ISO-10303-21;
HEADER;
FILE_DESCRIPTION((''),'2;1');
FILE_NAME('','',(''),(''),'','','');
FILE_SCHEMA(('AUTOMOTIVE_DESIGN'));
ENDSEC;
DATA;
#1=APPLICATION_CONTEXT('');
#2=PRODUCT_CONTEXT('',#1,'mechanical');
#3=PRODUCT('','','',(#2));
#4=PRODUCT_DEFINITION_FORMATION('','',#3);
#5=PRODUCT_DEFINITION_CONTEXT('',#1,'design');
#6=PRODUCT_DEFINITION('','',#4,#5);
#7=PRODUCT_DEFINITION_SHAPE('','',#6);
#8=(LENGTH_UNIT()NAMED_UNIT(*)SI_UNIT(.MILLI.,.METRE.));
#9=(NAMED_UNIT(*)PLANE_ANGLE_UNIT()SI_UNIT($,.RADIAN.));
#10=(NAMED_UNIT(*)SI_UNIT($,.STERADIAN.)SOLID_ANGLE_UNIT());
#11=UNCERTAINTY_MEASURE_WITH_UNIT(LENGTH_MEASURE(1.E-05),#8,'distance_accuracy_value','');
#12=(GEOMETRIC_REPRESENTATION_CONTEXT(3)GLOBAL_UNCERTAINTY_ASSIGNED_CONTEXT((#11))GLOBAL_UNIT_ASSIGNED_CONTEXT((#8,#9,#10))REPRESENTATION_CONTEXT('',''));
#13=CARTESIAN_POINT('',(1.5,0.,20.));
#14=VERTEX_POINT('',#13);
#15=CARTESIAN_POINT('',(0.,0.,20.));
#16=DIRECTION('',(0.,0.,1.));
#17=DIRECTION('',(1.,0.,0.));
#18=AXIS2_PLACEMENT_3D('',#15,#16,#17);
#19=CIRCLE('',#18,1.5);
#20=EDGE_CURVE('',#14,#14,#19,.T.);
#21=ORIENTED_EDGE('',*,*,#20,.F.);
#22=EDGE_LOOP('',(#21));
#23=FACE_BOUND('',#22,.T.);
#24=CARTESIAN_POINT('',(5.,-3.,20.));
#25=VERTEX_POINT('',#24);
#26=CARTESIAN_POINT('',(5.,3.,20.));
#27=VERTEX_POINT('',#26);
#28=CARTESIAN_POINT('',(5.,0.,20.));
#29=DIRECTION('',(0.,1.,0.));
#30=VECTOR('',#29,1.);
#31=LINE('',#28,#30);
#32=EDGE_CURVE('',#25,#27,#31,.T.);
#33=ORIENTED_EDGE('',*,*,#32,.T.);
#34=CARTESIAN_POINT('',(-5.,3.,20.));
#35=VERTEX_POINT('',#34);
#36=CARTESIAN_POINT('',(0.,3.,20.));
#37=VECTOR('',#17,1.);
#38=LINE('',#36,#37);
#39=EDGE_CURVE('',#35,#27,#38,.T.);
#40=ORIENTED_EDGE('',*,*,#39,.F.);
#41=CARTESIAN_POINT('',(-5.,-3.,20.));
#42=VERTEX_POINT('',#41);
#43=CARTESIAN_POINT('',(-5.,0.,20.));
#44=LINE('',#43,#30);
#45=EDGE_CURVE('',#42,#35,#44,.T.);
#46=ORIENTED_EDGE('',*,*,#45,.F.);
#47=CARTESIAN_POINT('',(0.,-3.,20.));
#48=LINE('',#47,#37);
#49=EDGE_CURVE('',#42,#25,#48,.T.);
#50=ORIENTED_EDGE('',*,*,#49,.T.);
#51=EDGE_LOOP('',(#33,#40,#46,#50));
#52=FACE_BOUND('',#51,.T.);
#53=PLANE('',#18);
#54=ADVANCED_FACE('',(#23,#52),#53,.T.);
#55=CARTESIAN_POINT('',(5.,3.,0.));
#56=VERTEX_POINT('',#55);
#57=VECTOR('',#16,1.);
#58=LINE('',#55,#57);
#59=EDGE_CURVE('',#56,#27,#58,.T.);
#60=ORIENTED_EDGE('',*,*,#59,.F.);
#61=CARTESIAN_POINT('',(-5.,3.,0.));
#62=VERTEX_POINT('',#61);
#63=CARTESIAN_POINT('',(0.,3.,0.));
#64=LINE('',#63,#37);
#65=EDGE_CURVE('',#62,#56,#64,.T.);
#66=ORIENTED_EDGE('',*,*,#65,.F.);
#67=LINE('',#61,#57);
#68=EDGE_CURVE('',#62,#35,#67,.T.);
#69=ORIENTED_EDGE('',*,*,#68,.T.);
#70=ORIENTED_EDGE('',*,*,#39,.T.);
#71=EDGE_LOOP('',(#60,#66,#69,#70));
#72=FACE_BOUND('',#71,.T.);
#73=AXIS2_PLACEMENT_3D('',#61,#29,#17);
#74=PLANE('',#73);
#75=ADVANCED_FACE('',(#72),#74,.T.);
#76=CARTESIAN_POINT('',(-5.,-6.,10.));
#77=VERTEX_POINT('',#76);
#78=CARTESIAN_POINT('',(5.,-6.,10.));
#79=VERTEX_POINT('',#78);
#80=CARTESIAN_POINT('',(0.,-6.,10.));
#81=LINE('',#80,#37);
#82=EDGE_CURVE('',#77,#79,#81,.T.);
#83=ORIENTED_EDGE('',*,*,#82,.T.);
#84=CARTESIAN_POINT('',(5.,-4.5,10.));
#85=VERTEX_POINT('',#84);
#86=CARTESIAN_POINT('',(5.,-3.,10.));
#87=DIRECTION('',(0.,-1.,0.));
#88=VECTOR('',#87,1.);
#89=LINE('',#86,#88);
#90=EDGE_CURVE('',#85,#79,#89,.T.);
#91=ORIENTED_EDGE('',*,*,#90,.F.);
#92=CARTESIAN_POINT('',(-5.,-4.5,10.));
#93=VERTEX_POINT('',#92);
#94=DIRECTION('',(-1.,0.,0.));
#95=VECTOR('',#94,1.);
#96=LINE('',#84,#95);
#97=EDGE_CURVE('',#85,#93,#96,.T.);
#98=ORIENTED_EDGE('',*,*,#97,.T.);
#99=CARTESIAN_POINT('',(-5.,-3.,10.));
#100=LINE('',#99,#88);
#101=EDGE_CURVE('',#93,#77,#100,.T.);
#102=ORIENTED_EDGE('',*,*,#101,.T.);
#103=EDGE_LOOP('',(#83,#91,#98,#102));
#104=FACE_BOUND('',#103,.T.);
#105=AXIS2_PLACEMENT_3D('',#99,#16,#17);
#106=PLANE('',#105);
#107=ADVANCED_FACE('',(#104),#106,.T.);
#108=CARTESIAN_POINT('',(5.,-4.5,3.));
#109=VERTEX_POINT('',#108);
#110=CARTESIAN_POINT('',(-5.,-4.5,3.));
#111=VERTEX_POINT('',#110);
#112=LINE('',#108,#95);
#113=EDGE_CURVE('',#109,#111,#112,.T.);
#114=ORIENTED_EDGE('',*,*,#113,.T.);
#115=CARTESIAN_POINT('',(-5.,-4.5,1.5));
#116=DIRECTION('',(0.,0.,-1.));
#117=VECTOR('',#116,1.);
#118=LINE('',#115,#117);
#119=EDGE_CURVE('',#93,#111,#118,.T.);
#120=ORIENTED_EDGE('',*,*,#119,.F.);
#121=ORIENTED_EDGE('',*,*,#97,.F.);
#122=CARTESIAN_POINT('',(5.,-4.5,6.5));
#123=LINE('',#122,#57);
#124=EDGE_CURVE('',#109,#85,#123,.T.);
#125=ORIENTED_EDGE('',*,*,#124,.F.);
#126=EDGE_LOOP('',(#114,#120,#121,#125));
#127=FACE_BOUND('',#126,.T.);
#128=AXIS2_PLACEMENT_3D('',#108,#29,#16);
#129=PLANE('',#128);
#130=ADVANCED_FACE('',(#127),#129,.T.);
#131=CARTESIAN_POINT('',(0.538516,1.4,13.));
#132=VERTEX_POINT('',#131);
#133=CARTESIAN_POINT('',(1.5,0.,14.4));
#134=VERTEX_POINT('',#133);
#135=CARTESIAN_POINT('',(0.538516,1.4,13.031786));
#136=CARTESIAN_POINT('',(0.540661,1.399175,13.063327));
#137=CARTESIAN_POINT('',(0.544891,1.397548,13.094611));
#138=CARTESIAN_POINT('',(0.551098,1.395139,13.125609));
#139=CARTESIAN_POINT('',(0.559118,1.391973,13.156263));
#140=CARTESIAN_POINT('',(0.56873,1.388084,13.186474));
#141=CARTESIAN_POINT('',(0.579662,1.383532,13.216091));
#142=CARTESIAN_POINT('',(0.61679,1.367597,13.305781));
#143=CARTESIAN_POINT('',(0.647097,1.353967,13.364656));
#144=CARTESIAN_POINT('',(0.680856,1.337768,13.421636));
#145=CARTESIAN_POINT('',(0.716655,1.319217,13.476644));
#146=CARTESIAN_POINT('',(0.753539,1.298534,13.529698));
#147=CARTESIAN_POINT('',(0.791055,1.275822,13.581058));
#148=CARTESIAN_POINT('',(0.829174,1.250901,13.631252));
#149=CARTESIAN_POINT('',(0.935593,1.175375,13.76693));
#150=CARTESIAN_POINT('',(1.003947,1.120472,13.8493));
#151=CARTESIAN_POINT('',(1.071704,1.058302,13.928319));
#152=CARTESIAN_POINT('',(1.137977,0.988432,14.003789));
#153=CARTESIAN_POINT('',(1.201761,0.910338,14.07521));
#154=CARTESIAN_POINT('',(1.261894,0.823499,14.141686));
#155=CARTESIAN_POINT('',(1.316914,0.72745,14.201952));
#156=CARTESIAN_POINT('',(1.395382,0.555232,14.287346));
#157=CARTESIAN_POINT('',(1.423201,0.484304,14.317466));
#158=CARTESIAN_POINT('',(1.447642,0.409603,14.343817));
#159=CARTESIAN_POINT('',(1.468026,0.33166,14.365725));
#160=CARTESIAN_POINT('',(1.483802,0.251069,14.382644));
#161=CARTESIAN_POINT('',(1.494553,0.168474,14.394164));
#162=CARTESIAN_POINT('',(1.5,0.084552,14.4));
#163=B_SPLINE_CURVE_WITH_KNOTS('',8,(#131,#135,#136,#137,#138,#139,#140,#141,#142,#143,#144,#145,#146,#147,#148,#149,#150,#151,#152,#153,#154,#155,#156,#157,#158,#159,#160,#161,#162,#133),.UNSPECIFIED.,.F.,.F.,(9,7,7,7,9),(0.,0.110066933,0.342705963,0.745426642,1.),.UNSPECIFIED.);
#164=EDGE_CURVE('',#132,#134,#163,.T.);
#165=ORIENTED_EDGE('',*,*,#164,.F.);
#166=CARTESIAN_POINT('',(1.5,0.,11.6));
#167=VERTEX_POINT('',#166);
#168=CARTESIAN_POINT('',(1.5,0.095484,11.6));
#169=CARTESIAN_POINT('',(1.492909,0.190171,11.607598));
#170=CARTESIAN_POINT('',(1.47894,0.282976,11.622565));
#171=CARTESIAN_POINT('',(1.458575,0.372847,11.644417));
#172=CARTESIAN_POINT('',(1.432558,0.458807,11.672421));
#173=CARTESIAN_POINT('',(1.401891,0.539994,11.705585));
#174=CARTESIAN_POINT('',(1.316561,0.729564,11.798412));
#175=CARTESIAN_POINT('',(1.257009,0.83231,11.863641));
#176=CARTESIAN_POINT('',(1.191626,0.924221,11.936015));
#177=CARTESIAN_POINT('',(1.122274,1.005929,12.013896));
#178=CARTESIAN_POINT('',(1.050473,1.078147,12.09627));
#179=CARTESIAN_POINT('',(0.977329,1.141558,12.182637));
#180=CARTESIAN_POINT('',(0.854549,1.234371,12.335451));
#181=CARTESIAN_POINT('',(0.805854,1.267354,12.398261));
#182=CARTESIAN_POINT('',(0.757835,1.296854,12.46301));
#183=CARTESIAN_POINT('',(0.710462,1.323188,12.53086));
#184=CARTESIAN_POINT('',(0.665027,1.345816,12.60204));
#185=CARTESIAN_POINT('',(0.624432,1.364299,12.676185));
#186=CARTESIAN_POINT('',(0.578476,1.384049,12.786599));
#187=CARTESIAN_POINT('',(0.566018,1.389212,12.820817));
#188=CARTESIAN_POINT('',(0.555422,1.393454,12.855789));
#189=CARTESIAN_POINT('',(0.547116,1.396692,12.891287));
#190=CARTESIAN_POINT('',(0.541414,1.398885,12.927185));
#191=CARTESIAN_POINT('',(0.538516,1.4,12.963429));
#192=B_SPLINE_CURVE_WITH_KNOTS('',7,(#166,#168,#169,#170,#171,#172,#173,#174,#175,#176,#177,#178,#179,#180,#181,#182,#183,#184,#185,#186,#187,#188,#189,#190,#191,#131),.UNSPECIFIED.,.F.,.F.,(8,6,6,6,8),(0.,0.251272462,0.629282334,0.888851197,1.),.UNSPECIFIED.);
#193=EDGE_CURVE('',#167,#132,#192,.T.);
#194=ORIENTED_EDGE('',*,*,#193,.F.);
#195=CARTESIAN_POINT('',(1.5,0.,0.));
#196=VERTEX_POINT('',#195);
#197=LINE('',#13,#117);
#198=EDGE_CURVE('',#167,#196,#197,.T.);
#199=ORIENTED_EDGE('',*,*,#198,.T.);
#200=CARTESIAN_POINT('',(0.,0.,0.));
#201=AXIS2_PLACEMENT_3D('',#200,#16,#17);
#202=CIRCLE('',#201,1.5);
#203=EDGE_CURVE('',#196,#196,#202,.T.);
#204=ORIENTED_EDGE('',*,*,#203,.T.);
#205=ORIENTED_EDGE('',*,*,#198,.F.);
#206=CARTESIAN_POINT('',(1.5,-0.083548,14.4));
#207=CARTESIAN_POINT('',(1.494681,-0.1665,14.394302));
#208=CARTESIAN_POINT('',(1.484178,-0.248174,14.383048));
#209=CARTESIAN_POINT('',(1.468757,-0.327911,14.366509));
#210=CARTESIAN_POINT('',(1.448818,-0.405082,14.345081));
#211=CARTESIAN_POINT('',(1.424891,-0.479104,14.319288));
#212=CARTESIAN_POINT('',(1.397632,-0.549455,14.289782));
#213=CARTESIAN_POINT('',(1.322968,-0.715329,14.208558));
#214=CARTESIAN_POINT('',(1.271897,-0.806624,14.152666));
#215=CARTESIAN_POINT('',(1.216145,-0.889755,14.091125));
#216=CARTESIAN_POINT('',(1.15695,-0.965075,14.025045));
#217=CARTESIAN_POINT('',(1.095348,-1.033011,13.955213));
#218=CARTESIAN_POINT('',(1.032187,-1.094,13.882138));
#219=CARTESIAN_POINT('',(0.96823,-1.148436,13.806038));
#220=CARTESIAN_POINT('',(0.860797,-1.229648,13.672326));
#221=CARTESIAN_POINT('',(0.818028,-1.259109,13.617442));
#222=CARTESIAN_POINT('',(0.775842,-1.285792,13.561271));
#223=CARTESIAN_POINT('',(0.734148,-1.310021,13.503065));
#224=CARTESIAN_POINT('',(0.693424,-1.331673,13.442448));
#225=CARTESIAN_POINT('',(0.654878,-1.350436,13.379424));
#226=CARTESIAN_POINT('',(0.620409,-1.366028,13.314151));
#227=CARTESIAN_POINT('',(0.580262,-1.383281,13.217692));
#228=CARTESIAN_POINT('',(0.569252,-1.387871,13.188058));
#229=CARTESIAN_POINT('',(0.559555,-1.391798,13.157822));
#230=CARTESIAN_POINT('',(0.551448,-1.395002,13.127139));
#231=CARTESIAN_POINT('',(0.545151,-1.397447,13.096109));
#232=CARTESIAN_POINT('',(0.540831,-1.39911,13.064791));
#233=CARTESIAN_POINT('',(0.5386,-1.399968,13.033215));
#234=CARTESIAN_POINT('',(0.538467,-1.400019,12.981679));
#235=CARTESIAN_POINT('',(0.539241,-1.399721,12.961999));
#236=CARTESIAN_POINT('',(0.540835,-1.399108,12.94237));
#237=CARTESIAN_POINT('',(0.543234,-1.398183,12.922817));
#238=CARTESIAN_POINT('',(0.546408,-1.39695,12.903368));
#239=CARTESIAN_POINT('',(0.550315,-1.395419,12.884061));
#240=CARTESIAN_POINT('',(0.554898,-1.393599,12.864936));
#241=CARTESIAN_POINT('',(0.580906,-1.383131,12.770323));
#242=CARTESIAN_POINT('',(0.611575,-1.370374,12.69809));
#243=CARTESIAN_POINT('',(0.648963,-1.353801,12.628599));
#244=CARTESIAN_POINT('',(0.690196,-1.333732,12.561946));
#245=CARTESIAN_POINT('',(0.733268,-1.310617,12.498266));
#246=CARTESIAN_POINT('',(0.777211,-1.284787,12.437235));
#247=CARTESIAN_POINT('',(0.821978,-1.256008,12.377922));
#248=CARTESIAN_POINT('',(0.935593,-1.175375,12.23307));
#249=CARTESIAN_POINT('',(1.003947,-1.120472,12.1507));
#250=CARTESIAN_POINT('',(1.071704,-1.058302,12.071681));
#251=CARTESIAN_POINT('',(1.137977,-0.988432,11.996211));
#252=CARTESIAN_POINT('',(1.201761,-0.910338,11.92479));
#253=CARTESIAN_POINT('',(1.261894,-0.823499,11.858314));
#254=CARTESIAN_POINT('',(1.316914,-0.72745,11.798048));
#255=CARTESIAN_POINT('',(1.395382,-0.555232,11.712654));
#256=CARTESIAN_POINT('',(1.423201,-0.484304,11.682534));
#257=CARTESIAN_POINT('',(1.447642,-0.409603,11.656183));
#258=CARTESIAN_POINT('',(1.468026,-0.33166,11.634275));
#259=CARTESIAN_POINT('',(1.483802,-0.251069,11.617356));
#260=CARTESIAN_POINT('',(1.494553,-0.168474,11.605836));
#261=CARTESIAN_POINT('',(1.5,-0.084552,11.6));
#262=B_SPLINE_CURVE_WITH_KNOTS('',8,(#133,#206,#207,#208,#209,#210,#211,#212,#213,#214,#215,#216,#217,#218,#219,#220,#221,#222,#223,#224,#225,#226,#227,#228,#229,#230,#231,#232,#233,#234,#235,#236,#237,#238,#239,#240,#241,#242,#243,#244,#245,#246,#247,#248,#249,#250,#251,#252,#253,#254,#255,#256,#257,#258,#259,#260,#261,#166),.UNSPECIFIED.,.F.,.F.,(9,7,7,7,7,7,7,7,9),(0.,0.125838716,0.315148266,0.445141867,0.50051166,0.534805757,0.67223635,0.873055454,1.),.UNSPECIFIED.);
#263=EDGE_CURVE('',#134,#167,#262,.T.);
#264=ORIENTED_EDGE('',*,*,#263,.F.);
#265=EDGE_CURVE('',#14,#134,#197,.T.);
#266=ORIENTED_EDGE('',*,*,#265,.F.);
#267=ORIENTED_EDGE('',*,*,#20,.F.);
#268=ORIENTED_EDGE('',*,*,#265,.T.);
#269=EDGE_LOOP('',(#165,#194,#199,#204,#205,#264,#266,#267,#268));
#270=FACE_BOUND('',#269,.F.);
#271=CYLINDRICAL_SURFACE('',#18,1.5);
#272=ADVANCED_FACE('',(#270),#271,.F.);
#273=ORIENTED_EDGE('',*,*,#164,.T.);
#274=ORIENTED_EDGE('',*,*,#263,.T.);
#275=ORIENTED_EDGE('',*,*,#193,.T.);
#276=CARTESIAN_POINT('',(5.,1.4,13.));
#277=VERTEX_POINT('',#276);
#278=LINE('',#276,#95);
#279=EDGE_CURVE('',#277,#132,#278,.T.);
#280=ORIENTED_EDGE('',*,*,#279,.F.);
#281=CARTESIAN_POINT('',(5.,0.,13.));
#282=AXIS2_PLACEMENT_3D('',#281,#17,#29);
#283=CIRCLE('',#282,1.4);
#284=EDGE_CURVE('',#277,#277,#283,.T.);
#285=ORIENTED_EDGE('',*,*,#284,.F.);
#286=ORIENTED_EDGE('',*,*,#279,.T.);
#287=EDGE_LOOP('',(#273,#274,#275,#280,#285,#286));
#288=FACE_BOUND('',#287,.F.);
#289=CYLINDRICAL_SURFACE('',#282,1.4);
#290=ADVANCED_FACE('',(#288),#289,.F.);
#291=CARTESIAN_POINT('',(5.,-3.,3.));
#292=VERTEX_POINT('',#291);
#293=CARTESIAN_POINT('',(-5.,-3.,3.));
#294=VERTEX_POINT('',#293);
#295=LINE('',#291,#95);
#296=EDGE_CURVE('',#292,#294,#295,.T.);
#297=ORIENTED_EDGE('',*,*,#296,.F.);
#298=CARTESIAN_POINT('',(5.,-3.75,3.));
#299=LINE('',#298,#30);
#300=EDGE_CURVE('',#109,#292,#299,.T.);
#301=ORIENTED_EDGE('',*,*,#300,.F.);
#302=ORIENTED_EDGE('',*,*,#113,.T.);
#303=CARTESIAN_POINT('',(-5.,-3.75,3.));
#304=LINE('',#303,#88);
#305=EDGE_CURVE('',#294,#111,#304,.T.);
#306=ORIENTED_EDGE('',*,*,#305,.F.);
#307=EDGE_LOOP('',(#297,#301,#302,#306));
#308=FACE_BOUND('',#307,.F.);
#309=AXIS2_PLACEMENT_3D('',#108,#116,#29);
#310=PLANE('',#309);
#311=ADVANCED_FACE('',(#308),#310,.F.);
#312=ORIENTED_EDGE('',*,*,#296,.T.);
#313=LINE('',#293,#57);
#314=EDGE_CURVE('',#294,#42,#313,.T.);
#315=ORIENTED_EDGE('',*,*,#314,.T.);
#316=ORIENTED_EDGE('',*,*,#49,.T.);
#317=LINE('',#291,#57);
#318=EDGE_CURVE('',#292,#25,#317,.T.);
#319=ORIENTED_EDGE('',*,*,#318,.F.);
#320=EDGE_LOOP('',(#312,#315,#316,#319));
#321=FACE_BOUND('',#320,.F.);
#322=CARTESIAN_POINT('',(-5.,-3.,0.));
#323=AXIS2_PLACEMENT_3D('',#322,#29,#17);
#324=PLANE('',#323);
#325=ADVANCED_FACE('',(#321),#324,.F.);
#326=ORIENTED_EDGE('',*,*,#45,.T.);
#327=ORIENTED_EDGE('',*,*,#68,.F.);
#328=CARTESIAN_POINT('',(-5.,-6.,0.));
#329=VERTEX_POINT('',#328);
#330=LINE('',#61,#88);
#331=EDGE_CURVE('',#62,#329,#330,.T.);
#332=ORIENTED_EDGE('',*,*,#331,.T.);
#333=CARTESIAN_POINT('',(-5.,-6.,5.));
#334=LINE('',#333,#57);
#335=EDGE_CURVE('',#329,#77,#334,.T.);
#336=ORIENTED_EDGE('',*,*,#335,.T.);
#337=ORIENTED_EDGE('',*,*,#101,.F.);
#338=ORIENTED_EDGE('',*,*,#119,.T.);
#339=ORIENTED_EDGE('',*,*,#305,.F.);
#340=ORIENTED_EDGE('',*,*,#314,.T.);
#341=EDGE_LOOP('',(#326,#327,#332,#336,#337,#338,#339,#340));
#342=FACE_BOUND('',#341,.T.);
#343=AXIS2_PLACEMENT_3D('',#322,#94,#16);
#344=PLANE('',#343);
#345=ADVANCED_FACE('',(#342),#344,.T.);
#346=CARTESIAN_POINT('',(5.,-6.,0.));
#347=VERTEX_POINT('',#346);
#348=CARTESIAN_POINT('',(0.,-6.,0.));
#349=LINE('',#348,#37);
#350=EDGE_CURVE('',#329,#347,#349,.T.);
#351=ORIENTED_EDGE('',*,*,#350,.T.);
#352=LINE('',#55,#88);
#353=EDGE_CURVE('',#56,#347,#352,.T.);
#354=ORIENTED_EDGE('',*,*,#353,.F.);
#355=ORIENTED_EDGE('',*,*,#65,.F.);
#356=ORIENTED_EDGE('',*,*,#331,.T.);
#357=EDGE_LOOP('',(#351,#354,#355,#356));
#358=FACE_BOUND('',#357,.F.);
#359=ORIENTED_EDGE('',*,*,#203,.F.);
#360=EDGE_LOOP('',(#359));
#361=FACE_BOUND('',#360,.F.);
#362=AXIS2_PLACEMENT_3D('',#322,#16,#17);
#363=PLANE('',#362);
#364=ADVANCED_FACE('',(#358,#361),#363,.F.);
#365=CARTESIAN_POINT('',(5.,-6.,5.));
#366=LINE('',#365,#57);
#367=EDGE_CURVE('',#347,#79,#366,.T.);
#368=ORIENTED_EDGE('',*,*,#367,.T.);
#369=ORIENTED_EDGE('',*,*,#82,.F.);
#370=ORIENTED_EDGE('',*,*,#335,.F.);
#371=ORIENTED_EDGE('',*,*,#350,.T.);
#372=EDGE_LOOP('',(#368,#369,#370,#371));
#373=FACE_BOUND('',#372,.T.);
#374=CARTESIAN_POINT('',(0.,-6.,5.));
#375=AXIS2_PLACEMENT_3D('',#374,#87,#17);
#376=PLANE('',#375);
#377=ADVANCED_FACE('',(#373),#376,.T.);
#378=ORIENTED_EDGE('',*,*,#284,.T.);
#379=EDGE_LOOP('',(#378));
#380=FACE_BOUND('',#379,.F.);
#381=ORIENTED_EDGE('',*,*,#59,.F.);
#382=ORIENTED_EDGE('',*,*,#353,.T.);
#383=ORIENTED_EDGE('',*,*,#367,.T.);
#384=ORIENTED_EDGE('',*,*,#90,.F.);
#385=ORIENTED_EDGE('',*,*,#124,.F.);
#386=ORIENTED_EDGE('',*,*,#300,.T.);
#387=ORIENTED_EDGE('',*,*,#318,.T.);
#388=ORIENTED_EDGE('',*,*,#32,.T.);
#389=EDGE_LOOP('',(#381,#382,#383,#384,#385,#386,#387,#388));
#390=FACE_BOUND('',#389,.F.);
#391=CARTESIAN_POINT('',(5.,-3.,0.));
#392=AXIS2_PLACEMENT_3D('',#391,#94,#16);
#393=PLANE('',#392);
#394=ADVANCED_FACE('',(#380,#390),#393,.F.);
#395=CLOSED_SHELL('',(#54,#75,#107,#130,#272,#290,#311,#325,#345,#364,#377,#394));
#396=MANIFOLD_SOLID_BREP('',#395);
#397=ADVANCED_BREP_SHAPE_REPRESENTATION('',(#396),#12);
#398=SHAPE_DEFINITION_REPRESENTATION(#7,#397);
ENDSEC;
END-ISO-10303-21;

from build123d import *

# Parameters (mm, degrees)
SKETCH_W        = 10
SKETCH_H        = 6
PAD_DEPTH       = 20
SKETCH001_R     = 1.5
POCKET_DEPTH    = 20.001
SKETCH002_W     = 10
SKETCH002_H     = 0.01
POCKET001_DEPTH = 20.001
SKETCH003_W     = 10
SKETCH003_H     = 10
PAD001_DEPTH    = 3
SKETCH004_W     = 1.5
SKETCH004_H     = 7
POCKET002_DEPTH = 10.001
SKETCH005_R     = 1.4
POCKET003_DEPTH = 5


with BuildPart() as part:
    # Sketch → Pad (new body)
    with BuildSketch(Plane.XY):
        Rectangle(SKETCH_W, SKETCH_H)
    extrude(amount=PAD_DEPTH)

    # Sketch001 (on Face6 of Pad) → Pocket (cut, through all)
    with BuildSketch(Plane.XY.offset(20)):
        Circle(SKETCH001_R)
    extrude(amount=-POCKET_DEPTH, mode=Mode.SUBTRACT)

    # Sketch002 (on Face5 of Pocket) → Pocket001 (cut, through all)
    with BuildSketch(Plane.XY.offset(20)):
        with Locations((0, 3.005)):
            Rectangle(SKETCH002_W, SKETCH002_H)
    extrude(amount=-POCKET001_DEPTH, mode=Mode.SUBTRACT)

    # Sketch003 (on Face1 of Pocket001) → Pad001 (join)
    with BuildSketch(Plane.XZ.offset(3)):
        with Locations((0, 5)):
            Rectangle(SKETCH003_W, SKETCH003_H)
    extrude(amount=PAD001_DEPTH)

    # Sketch004 (on Face6 of Pad001) → Pocket002 (cut, through all)
    with BuildSketch(Plane.YZ.offset(5)):
        with Locations((-3.75, 6.5)):
            Rectangle(SKETCH004_W, SKETCH004_H)
    extrude(amount=-POCKET002_DEPTH, mode=Mode.SUBTRACT)

    # Sketch005 (on Face3 of Pocket002) → Pocket003 (cut)
    with BuildSketch(Plane.YZ.offset(5)):
        with Locations((0, 13)):
            Circle(SKETCH005_R)
    extrude(amount=-POCKET003_DEPTH, mode=Mode.SUBTRACT)


solid = part.part
